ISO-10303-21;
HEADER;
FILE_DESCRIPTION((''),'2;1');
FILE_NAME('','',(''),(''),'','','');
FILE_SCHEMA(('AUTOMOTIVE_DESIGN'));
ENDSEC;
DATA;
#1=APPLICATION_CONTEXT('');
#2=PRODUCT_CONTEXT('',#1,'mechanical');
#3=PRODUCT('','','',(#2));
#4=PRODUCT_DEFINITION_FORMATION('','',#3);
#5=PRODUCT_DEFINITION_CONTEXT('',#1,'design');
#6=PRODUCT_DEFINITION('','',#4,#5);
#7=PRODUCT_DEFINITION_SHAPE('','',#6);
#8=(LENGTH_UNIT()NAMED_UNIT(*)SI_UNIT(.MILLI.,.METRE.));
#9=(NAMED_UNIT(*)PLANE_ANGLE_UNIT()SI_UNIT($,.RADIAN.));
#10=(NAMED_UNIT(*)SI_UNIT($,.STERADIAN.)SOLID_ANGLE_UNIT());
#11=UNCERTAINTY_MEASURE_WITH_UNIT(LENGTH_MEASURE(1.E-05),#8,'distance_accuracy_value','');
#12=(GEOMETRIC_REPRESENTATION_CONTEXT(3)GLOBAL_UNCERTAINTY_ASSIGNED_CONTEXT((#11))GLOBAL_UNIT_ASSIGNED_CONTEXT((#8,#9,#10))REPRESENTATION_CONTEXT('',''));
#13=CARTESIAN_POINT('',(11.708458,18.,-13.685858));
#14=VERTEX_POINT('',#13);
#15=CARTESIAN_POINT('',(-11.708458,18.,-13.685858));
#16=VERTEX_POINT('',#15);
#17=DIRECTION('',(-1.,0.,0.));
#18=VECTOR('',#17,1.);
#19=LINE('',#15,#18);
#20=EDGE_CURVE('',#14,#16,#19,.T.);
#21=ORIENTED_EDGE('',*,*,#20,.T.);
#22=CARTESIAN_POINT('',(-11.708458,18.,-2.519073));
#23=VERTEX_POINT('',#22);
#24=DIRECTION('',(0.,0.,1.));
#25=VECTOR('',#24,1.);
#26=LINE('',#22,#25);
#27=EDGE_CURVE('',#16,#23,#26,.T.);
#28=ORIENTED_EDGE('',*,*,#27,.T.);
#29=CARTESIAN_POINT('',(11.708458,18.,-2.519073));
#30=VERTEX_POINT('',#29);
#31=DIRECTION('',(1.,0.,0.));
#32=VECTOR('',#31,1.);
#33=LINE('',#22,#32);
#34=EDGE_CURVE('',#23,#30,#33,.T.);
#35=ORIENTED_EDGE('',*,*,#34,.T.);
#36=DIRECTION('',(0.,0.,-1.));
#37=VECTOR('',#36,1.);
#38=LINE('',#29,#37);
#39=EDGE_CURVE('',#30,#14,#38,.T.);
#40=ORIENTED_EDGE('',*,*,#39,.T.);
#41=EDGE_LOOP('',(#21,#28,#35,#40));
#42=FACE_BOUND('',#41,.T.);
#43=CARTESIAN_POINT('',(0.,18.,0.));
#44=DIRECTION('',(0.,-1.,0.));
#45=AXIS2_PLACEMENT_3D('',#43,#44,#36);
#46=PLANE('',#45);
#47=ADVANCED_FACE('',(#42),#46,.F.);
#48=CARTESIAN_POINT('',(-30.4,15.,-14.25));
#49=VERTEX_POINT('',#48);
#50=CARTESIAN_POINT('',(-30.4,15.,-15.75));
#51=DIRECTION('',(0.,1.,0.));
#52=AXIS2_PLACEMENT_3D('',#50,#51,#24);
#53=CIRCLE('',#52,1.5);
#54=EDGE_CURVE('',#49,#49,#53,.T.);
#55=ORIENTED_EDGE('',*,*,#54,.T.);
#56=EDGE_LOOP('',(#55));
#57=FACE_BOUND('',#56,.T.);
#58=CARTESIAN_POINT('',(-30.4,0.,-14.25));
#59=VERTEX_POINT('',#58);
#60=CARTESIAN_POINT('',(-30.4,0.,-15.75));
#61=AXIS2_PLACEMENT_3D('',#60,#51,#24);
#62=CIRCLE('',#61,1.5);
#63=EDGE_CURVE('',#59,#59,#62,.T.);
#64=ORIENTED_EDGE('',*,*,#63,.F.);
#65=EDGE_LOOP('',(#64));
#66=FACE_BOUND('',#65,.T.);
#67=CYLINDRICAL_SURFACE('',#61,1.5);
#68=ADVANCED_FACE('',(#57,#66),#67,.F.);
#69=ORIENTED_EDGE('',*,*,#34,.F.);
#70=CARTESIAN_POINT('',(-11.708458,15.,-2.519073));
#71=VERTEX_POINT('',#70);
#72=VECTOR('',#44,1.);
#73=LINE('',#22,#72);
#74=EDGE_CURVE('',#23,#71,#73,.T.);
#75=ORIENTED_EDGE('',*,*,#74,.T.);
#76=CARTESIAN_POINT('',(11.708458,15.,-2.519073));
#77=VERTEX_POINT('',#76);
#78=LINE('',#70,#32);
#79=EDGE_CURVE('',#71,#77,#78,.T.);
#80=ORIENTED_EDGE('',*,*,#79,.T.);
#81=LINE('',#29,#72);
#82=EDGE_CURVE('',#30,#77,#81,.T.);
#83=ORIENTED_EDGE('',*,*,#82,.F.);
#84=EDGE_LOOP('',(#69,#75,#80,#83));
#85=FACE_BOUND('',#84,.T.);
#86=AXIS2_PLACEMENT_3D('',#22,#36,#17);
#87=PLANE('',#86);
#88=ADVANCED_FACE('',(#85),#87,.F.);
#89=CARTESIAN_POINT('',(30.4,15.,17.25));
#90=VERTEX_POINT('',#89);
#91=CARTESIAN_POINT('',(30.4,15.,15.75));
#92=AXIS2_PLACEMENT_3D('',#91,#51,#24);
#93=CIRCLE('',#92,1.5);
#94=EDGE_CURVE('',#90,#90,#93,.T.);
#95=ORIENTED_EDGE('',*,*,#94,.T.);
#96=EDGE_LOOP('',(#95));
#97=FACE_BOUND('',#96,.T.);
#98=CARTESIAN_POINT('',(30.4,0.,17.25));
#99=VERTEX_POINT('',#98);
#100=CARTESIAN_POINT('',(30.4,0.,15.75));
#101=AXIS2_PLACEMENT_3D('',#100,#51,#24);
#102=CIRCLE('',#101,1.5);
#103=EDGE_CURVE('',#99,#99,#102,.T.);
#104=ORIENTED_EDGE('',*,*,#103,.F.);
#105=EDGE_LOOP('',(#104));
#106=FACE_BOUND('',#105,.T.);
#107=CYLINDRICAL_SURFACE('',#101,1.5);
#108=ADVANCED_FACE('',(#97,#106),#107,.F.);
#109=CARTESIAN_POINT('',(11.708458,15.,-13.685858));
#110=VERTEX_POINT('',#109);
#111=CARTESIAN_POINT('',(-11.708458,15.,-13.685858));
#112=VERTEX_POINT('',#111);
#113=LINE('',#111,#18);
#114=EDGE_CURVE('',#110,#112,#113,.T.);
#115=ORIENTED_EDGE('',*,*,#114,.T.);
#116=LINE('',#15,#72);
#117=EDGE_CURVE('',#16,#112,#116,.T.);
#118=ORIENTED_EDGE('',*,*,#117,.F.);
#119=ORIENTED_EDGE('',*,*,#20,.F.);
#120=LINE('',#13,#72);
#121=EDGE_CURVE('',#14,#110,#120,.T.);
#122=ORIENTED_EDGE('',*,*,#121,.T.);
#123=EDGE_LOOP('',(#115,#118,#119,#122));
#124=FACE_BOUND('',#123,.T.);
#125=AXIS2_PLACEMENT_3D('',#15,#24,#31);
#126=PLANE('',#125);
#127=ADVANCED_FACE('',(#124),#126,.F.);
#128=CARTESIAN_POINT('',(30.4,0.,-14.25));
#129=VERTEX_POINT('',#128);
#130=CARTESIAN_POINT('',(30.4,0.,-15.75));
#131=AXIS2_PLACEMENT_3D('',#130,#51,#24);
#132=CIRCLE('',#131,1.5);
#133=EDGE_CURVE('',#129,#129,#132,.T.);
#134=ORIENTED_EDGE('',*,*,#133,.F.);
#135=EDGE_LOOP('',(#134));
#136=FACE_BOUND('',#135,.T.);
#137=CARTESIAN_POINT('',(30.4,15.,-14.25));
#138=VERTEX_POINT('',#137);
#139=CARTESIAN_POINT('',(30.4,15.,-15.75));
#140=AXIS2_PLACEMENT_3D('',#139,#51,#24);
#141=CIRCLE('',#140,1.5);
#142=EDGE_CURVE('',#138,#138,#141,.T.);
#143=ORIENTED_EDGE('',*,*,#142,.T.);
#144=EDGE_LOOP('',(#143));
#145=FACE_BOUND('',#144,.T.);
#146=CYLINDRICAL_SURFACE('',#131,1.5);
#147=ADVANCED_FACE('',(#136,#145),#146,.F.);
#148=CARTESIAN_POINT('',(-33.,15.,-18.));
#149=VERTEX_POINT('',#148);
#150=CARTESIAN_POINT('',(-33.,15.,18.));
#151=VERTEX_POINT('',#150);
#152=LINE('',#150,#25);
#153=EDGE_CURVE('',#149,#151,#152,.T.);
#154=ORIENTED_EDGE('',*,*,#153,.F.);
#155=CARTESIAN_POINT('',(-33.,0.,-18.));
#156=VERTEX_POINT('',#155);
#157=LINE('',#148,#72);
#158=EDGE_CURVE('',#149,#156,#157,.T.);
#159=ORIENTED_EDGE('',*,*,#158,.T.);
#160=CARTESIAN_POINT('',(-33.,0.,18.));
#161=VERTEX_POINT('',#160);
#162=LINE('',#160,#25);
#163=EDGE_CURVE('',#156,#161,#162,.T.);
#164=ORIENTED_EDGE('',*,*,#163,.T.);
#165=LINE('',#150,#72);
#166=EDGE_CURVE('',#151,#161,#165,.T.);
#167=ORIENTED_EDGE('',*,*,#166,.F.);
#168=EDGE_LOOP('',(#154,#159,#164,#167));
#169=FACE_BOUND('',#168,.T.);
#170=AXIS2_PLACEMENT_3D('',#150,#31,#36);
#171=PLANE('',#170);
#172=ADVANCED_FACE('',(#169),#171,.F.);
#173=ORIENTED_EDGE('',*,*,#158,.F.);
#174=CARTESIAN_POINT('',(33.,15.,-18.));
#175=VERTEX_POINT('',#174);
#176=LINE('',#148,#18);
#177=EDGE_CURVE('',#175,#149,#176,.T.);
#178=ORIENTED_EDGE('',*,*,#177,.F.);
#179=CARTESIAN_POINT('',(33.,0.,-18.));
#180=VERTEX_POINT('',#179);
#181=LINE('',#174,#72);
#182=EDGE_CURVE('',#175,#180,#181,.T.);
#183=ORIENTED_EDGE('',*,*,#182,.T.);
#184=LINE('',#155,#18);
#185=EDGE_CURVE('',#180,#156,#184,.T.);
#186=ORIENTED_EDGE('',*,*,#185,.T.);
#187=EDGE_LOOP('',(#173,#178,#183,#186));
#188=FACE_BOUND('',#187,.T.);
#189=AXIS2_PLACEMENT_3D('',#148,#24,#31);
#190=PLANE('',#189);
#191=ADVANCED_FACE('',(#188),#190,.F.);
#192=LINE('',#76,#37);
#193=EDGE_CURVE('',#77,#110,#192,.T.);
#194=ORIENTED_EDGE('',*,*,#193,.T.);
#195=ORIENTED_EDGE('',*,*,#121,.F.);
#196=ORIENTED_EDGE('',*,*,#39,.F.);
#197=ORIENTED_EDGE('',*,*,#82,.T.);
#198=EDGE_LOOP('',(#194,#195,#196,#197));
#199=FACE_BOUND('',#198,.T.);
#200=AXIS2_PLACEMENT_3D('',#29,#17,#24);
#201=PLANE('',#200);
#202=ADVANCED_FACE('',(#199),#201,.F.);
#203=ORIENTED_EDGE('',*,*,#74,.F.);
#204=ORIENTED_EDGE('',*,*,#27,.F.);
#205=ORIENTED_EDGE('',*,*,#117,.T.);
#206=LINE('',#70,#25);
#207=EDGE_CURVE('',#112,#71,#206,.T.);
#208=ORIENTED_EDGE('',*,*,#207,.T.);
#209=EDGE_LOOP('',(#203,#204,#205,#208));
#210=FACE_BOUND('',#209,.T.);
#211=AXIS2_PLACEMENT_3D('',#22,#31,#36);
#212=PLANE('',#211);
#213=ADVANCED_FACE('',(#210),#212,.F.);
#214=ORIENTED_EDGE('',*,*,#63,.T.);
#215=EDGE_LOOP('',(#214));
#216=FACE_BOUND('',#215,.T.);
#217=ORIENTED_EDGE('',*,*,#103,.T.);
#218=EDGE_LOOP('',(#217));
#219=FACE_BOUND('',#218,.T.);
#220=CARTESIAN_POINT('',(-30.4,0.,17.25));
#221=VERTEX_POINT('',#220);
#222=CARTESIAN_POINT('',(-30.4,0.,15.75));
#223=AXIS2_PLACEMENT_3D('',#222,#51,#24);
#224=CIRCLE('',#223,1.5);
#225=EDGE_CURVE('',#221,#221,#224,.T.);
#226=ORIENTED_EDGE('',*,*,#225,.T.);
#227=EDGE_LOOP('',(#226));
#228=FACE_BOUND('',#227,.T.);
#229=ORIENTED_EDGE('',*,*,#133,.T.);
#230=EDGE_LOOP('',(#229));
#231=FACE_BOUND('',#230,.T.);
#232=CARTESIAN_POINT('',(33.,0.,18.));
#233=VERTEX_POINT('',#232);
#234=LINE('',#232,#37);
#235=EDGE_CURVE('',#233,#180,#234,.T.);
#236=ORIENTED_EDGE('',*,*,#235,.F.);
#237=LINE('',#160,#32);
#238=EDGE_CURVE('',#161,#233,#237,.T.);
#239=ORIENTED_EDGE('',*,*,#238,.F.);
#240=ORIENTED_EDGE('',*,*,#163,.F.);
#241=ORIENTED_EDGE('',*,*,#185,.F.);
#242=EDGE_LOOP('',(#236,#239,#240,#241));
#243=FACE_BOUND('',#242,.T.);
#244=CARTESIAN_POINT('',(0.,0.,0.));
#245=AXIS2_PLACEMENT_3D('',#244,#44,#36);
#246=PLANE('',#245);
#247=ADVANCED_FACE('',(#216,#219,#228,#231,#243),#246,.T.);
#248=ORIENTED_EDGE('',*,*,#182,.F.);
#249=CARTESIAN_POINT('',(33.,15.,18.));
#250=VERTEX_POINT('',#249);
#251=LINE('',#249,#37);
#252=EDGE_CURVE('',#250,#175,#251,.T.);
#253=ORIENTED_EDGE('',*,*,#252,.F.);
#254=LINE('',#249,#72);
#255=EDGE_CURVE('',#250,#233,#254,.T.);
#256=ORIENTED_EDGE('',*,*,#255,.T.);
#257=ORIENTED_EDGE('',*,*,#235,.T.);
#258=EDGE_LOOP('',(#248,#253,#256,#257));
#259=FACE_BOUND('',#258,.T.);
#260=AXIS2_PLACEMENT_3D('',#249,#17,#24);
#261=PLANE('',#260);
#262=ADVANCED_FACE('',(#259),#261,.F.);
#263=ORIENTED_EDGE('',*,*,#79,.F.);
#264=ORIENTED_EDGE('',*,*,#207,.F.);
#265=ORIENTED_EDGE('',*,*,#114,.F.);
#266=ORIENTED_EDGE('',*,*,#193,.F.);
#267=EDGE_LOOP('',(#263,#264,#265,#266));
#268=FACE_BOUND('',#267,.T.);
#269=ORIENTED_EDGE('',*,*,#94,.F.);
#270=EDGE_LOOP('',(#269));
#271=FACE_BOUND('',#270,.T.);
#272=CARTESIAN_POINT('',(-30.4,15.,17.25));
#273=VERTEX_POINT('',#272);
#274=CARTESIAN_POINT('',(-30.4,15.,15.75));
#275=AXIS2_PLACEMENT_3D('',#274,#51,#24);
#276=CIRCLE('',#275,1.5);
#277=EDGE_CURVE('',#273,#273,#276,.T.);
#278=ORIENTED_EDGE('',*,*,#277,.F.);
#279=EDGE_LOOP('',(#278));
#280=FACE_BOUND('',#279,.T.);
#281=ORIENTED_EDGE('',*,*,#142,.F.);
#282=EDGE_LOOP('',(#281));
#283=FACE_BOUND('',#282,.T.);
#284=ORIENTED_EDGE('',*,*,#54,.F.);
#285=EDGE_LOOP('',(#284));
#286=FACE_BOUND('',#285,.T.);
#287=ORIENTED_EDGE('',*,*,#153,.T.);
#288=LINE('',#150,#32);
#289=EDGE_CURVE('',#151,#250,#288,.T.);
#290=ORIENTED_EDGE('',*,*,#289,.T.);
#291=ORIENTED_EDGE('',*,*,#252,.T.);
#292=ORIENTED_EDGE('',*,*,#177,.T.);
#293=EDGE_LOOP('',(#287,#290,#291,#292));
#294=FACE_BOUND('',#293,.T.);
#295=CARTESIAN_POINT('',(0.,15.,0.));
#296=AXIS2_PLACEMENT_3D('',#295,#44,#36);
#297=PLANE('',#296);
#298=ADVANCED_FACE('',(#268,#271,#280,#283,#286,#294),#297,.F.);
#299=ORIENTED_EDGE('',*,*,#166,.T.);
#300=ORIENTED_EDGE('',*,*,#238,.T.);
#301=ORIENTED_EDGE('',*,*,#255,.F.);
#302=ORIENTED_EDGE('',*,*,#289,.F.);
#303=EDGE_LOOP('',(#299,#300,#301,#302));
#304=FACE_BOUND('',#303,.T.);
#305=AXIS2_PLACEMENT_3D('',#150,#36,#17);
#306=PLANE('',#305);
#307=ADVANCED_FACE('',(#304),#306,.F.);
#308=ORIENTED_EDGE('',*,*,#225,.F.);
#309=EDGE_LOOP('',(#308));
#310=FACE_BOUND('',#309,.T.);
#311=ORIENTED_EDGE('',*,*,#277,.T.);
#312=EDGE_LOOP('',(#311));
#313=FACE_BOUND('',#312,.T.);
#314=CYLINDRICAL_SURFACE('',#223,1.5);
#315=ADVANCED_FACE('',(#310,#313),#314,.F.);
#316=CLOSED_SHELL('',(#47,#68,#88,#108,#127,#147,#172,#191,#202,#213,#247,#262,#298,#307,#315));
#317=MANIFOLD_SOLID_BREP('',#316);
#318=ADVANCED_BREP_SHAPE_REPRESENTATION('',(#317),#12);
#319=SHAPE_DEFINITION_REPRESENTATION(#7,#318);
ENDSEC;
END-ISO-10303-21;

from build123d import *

# Parameters (mm, degrees)
SKETCH1_W           = 66
SKETCH1_H           = 36
BOSS_EXTRUDE1_DEPTH = 15
SKETCH2_R           = 1.5
CUT_EXTRUDE1_DEPTH  = 15
SKETCH3_W           = 23.416915526
SKETCH3_H           = 11.166785339
BOSS_EXTRUDE2_DEPTH = 3


with BuildPart() as part:
    # Sketch1 → Boss-Extrude1 (new body)
    with BuildSketch(Plane(origin=(0, 0, 0), x_dir=(1, 0, 0), z_dir=(0, 1, 0))):
        Rectangle(SKETCH1_W, SKETCH1_H)
    extrude(amount=BOSS_EXTRUDE1_DEPTH)

    # Sketch2 → Cut-Extrude1 (cut)
    with BuildSketch(Plane(origin=(0, 15, 0), x_dir=(1, 0, 0), z_dir=(0, 1, 0))):
        with Locations(Location((-30.4, 15.75, 0), (0, 0, 270))):
            Circle(SKETCH2_R)
        with Locations(Location((-30.4, -15.75, 0), (0, 0, 270))):
            Circle(SKETCH2_R)
        with Locations(Location((30.4, 15.75, 0), (0, 0, 270))):
            Circle(SKETCH2_R)
        with Locations(Location((30.4, -15.75, 0), (0, 0, 270))):
            Circle(SKETCH2_R)
    extrude(amount=-CUT_EXTRUDE1_DEPTH, mode=Mode.SUBTRACT)

    # Sketch3 → Boss-Extrude2 (add)
    with BuildSketch(Plane(origin=(0, 15, 0), x_dir=(1, 0, 0), z_dir=(0, 1, 0))):
        with Locations((0, 8.102465218)):
            Rectangle(SKETCH3_W, SKETCH3_H)
    extrude(amount=BOSS_EXTRUDE2_DEPTH)


solid = part.part
